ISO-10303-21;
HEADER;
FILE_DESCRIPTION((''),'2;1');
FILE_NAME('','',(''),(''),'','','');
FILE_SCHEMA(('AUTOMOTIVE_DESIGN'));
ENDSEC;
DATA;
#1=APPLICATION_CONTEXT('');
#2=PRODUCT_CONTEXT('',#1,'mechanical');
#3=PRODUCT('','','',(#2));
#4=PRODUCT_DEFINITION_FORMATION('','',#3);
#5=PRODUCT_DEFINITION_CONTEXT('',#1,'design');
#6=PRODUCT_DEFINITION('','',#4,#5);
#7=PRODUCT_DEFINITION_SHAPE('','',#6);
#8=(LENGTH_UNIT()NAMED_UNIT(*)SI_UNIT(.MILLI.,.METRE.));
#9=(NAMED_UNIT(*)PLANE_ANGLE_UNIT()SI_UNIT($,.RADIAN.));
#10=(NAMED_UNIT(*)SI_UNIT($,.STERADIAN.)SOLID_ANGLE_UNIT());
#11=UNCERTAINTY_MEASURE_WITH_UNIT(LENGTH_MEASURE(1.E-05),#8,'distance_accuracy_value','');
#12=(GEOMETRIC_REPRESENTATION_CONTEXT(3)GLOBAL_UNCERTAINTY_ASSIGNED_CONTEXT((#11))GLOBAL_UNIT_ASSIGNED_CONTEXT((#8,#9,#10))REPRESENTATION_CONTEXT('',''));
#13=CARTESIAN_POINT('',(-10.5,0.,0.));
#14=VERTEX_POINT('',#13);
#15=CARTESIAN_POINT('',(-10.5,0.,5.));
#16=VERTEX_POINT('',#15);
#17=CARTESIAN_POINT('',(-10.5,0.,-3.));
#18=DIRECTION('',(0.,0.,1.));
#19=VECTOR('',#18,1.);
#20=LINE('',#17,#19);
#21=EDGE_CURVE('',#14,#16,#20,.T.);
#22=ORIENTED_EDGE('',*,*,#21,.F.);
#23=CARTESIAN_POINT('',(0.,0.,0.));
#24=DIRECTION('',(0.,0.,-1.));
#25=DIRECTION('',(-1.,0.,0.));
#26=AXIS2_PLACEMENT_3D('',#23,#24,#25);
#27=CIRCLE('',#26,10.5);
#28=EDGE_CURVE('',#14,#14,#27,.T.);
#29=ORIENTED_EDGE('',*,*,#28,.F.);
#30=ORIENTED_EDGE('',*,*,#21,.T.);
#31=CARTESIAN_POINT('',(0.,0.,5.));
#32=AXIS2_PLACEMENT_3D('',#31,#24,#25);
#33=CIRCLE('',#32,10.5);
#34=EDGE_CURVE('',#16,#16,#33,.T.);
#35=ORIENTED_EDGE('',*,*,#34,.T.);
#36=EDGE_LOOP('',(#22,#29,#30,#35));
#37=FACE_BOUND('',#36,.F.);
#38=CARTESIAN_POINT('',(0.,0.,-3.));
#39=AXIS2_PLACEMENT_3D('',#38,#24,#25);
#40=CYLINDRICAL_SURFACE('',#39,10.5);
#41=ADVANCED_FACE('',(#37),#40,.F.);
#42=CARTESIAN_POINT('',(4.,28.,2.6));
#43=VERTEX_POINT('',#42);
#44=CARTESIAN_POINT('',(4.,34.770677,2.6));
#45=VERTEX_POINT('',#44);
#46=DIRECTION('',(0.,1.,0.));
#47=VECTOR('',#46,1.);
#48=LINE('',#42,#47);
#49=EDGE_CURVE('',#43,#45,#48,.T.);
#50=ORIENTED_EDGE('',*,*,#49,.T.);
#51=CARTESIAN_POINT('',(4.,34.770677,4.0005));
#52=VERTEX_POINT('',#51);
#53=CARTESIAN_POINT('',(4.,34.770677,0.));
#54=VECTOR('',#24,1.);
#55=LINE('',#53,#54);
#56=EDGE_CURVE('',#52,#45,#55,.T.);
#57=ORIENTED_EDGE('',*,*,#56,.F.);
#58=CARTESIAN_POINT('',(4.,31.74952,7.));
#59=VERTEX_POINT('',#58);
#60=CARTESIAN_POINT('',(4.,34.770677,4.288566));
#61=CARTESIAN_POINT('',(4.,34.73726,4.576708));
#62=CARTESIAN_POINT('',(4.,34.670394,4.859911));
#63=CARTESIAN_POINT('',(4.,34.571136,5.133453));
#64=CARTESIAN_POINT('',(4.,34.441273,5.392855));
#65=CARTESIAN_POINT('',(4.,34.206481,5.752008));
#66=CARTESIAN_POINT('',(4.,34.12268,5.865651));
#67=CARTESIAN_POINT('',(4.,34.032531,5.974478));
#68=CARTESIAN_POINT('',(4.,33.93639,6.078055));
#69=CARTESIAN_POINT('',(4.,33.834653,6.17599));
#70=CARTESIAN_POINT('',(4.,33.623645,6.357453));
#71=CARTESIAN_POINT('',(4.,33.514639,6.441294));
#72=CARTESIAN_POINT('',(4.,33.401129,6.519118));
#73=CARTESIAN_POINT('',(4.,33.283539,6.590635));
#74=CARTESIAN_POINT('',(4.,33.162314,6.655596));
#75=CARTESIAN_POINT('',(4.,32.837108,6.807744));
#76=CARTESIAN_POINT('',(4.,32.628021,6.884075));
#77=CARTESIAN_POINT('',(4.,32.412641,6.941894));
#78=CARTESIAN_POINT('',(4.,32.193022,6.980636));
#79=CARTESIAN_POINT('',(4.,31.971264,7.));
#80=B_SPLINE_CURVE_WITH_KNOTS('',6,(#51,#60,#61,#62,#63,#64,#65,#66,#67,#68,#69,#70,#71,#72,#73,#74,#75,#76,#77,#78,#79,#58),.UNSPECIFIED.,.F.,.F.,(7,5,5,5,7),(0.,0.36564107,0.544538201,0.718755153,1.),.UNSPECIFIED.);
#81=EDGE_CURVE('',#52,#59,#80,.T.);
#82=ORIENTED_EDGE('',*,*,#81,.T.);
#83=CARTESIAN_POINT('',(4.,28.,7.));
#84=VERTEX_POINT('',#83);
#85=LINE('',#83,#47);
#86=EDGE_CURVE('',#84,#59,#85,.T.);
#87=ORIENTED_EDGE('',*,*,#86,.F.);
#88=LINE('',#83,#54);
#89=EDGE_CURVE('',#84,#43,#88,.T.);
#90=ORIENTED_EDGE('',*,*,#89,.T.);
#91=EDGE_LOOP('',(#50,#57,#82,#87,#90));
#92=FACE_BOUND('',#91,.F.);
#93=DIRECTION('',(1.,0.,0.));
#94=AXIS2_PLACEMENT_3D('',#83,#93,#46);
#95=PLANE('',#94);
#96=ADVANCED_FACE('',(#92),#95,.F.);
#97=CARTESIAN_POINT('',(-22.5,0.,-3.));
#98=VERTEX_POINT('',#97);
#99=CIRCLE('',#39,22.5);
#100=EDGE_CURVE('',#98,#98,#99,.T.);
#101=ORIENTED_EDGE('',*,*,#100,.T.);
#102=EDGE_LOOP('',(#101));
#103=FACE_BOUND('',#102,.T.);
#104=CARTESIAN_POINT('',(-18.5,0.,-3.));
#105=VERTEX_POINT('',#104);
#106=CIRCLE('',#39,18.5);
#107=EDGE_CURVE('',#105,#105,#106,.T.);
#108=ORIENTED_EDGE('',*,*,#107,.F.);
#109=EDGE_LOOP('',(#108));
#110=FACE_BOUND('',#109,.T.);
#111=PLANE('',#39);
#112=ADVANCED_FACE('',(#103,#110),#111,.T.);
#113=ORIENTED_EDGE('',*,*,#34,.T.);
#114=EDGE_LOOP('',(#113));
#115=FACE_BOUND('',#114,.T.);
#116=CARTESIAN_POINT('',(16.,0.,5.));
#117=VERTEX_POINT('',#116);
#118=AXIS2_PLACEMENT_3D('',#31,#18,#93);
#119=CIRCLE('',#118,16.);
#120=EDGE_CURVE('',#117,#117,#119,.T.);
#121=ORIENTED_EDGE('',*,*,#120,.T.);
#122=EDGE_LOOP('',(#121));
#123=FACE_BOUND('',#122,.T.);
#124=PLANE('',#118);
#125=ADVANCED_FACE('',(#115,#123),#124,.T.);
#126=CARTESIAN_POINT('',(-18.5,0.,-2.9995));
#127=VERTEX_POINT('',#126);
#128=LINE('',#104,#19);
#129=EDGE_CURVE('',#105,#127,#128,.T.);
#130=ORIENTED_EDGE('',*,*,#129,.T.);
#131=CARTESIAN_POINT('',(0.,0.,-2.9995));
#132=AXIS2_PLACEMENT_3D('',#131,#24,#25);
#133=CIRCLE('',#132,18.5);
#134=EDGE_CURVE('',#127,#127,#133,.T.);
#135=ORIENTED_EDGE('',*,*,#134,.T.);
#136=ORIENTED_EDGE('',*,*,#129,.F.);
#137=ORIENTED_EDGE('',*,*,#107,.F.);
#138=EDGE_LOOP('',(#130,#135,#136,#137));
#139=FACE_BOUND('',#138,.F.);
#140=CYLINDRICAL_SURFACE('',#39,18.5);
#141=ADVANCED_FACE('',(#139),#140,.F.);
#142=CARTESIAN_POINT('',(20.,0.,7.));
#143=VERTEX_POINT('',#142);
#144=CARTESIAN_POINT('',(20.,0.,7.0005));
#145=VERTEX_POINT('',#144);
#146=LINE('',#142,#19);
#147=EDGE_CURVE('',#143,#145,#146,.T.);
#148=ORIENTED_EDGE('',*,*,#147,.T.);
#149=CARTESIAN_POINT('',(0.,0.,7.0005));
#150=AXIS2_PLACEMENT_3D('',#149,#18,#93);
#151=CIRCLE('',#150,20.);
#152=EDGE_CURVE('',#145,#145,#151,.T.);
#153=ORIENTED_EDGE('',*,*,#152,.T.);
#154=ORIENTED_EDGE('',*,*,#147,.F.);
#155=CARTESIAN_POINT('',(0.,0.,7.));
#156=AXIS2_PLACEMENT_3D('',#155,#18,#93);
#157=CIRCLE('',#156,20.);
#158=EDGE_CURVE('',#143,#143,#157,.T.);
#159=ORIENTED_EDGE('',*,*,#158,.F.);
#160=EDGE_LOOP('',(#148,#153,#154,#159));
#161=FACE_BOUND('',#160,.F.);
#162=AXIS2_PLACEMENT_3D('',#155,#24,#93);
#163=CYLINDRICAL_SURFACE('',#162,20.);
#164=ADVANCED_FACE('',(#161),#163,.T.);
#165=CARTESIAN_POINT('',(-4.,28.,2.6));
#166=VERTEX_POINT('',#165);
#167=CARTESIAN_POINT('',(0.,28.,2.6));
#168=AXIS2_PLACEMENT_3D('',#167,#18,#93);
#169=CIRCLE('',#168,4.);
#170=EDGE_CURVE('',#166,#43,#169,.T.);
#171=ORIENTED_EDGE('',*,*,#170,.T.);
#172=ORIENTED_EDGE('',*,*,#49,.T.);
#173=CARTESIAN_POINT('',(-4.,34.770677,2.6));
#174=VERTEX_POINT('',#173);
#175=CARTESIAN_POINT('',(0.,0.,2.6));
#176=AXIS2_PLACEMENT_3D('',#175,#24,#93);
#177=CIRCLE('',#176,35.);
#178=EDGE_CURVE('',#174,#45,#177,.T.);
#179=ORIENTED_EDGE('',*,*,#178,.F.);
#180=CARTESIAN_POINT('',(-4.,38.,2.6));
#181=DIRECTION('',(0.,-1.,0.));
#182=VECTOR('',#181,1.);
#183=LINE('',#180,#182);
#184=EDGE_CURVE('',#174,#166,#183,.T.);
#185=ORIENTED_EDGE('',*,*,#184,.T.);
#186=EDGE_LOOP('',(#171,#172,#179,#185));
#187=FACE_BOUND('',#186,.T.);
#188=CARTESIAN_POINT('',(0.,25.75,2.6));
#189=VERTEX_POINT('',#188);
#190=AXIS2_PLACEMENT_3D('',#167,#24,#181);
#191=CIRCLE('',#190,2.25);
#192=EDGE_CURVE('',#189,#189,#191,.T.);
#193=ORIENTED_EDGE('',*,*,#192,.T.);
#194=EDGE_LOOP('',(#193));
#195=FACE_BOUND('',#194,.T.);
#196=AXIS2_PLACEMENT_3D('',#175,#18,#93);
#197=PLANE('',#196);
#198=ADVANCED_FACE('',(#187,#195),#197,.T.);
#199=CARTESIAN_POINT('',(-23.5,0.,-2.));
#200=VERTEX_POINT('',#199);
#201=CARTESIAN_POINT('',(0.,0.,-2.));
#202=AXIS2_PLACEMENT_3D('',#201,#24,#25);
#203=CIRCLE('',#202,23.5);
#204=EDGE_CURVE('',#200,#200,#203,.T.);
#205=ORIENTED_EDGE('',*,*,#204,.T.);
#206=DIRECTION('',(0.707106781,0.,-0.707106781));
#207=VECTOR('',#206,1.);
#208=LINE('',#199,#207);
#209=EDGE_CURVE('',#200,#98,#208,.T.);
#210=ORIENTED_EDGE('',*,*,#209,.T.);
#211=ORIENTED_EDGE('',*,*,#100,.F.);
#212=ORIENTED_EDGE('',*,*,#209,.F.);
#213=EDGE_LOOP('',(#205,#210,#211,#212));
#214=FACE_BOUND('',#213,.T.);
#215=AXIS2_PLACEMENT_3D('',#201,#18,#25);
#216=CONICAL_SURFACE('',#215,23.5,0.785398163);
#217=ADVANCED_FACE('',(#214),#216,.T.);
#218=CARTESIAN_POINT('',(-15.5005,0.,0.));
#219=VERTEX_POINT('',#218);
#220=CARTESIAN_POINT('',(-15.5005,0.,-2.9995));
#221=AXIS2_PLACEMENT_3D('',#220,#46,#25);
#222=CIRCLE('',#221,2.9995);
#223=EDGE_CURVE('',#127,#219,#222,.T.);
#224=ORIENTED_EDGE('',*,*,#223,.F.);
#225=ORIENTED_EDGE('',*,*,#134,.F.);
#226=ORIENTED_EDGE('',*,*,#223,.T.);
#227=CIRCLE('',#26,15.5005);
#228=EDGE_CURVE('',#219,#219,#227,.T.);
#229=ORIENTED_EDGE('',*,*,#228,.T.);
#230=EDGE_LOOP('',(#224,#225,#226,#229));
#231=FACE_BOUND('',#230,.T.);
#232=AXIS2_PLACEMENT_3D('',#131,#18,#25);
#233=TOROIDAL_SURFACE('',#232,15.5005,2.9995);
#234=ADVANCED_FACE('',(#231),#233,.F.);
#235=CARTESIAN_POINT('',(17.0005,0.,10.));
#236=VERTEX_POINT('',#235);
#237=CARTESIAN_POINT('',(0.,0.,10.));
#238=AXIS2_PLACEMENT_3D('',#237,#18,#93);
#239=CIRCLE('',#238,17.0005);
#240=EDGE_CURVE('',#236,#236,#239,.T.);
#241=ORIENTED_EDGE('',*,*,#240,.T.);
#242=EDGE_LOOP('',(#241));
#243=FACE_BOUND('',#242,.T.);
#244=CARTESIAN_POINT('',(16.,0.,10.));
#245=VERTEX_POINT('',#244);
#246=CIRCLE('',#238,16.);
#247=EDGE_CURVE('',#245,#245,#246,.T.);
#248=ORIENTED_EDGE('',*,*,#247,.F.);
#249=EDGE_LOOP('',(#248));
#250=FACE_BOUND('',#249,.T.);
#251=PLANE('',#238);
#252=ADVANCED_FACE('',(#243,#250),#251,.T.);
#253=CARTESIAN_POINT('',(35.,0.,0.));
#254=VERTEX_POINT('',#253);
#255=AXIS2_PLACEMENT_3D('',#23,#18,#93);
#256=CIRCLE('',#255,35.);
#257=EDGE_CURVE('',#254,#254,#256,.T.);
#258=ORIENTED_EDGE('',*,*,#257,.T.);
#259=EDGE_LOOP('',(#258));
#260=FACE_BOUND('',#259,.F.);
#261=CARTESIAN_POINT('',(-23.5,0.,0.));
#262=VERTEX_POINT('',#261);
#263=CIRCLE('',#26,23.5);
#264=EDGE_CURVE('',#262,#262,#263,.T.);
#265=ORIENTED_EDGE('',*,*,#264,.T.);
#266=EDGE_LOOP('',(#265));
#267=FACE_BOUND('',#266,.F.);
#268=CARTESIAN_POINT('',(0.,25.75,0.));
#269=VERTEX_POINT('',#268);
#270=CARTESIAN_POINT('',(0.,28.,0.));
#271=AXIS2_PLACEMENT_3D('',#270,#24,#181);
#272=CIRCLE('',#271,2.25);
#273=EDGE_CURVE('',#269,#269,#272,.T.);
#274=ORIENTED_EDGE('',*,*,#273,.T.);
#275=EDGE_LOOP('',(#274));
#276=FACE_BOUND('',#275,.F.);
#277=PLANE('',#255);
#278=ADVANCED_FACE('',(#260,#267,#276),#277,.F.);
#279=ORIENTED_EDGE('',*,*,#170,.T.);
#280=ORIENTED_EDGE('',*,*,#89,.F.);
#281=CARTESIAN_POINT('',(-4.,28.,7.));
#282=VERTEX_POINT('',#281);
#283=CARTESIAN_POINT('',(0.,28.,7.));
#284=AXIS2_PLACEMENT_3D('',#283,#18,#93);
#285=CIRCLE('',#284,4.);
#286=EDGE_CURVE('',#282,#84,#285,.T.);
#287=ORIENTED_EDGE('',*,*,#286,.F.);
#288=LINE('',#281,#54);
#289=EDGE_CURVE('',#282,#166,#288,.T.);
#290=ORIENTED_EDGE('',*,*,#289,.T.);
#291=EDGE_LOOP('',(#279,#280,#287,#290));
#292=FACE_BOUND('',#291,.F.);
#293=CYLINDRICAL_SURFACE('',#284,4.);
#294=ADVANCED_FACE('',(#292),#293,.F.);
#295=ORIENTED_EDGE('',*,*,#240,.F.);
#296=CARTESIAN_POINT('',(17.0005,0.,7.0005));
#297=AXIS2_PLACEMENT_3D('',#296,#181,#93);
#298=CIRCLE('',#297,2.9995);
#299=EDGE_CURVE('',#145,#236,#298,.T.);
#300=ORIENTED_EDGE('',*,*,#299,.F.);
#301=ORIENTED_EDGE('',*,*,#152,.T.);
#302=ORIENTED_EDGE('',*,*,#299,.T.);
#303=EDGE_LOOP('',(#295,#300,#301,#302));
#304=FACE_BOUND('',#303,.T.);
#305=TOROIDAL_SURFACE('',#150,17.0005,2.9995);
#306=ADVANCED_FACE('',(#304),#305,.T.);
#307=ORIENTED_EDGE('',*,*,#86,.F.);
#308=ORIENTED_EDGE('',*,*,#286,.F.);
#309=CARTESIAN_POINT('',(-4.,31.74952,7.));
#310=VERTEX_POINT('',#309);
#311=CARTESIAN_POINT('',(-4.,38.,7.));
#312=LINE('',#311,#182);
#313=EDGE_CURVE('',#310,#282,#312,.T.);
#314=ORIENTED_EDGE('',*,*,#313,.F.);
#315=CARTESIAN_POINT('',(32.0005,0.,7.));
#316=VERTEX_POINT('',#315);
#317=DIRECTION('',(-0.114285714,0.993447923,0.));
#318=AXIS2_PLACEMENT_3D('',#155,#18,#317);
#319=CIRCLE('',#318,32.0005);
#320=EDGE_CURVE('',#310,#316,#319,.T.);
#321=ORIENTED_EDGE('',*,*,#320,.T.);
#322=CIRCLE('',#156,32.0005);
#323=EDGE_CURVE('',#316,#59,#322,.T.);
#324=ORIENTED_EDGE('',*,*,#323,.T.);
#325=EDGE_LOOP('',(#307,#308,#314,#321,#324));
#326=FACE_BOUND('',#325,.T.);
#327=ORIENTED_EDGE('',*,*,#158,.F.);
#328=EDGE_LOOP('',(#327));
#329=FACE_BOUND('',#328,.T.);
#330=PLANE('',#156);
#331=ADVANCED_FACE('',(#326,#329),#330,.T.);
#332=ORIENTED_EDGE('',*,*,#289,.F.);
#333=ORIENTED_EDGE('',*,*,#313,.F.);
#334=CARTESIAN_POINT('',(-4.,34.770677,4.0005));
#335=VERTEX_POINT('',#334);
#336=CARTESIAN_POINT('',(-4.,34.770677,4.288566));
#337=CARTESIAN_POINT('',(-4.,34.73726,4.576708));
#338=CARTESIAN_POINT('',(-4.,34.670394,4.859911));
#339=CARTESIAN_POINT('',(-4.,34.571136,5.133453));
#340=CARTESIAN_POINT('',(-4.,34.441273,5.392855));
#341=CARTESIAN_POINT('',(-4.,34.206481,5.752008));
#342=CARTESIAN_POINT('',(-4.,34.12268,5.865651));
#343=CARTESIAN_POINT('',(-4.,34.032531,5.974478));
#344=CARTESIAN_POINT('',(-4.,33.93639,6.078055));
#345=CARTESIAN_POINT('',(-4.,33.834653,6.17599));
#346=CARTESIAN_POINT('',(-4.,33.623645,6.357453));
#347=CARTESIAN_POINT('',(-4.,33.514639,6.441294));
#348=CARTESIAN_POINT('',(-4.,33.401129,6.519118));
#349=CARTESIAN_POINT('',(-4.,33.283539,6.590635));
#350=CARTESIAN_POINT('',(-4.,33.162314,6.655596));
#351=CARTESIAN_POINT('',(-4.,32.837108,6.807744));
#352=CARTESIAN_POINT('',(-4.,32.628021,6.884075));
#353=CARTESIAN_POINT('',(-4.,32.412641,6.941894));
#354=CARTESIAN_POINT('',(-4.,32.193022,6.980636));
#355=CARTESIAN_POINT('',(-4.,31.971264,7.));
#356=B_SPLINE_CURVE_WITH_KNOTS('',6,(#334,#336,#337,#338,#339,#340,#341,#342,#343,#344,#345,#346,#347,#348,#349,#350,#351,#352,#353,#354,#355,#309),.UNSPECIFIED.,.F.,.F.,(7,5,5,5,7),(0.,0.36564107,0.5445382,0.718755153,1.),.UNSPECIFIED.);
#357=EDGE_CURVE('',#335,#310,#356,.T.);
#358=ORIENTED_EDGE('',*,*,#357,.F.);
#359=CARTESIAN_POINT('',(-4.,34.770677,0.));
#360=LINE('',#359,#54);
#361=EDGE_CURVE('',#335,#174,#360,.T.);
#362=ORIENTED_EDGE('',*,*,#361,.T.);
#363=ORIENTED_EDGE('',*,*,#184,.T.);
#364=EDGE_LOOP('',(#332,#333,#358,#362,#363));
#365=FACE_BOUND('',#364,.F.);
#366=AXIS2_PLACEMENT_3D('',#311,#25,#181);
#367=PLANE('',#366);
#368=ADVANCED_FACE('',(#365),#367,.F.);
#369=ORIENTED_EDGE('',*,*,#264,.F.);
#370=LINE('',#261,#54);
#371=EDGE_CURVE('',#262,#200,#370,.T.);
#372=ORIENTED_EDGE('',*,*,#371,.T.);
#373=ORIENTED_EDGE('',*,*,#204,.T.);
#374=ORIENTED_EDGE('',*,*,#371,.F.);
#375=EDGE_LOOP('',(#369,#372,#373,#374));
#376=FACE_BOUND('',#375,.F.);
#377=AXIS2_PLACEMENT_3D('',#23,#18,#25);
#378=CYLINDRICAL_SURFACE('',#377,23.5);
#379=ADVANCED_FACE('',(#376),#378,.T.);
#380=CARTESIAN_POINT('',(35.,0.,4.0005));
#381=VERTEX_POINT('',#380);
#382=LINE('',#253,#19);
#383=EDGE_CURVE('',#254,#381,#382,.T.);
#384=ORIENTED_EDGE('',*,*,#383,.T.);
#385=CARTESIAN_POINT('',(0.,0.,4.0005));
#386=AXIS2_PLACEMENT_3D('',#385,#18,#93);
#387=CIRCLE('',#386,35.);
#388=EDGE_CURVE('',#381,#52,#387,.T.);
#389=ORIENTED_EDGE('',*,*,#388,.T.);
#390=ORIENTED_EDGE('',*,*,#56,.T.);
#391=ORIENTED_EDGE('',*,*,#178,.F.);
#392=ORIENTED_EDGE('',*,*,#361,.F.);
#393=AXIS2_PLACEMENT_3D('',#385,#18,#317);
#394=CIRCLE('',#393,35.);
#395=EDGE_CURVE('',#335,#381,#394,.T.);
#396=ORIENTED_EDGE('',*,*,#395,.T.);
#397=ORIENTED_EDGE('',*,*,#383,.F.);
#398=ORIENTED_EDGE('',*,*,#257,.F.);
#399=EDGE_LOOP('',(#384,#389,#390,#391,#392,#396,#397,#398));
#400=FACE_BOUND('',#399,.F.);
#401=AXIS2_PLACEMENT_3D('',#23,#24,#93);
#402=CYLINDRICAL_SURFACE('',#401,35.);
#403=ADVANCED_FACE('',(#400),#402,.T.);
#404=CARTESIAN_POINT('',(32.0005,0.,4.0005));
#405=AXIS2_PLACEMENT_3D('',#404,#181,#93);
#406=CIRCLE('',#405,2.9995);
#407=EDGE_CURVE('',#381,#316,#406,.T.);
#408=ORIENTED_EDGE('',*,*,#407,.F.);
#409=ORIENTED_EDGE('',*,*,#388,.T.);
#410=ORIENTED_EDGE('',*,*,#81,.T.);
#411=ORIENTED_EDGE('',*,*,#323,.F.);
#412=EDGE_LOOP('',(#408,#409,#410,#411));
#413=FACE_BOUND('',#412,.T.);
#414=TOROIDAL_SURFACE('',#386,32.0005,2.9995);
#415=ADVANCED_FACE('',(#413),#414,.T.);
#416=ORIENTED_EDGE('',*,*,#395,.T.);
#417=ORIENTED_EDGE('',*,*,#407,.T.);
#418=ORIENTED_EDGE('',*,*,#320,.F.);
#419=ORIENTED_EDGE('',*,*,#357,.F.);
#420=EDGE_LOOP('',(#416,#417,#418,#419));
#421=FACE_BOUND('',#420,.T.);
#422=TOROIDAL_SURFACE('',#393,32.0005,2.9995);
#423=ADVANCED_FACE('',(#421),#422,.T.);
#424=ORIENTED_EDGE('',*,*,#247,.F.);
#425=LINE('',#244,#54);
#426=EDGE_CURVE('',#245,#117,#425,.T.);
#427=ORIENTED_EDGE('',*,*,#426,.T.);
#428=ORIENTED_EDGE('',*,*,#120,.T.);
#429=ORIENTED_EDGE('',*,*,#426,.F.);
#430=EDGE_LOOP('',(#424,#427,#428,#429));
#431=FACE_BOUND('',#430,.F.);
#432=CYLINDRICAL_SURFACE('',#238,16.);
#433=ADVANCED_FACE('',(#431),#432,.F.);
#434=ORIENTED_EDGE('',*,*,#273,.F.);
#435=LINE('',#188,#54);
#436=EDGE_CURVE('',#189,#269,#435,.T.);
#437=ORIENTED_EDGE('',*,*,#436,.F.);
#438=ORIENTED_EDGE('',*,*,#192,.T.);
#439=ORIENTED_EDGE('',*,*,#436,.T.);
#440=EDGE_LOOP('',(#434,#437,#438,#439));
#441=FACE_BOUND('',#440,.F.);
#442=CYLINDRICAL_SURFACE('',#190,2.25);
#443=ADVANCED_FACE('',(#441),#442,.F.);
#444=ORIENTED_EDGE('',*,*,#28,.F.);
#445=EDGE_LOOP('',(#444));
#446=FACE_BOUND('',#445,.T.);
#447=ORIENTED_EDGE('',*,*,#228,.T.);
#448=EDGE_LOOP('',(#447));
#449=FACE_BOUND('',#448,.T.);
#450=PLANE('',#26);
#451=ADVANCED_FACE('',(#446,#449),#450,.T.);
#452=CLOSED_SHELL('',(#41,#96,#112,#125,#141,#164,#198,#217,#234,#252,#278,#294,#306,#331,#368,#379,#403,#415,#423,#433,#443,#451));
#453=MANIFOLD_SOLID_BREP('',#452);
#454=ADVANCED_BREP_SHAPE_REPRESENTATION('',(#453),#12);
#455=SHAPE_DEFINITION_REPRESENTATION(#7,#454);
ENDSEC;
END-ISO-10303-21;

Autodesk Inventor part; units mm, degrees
ref_plane "YZ Plane" through (0, 0, 0) normal (1, 0, 0) x (0, 1, 0)
ref_plane "XZ Plane" through (0, 0, 0) normal (0, 1, 0) x (-1, 0, 0)
ref_plane "XY Plane" through (0, 0, 0) normal (0, 0, 1) x (1, 0, 0)
sketch "스케치13" plane through (0, 0, 0) normal (0, 0, 1) x (1, 0, 0)
  circle A0 centre (0, 0) radius 35
  dimension "d74" = 70
extrude "돌출11" add sketch "스케치13" along normal blind 7
sketch "스케치19" plane through (0, 0, 7) normal (0, 0, 1) x (1, 0, 0)
  circle A0 centre (0, 0) radius 20
  dimension "d92" = 40
extrude "돌출17" add sketch "스케치19" along normal blind 3
sketch "스케치20" plane through (0, 0, 10) normal (0, 0, 1) x (1, 0, 0)
  circle A0 centre (0, 0) radius 16
  dimension "d95" = 32
extrude "돌출18" cut sketch "스케치20" against normal blind 5
sketch "스케치16" plane through (0, 0, 0) normal (0, 0, -1) x (-1, 0, 0)
  circle A0 centre (0, 0) radius 23.5
  dimension "d83" = 47
extrude "돌출15" add sketch "스케치16" along normal blind 3
sketch "스케치23" plane through (0, 0, -3) normal (0, 0, -1) x (-1, 0, 0)
  circle A0 centre (0, 0) radius 18.5
  dimension "d117" = 37
extrude "돌출20" cut sketch "스케치23" against normal blind 3
sketch "스케치18" plane through (0, 0, -3) normal (0, 0, -1) x (-1, 0, 0)
  circle A0 centre (0, 0) radius 10.5
  dimension "d89" = 21
extrude "돌출16" cut sketch "스케치18" against normal up to next
sketch "스케치21" plane through (0, 0, 7) normal (0, 0, 1) x (1, 0, 0)
  circle A0 centre (0, 28) radius 4
  line L0 (-4, 28) -> (4, 28)
  line L1 (4, 28) -> (4, 38)
  line L2 (4, 38) -> (-4, 38)
  line L3 (-4, 38) -> (-4, 28)
  point P0 (0, 0)
  dimension "d99" = 8
  dimension "d100" = 28
extrude "돌출19" cut sketch "스케치21" against normal blind 4.4
sketch "스케치22" plane through (0, 0, 2.6) normal (0, 0, 1) x (1, 0, 0)
  arc A0 (-4, 28) -> (4, 28) centre (0, 28) ccw projected
  circle A1 centre (0, 28) radius 4
  point P0 (0, 0)
hole "구멍2" at (0, 28, 2.6) direction (0, 0, -1) diameter 4.5 end through all
fillet "모깎기7" radius 3 4 edges at (-23.2916, -26.1247, 7) (26.1247, 23.2916, 7) (-20, 0, 10) (18.5, 0, 0)
chamfer "모따기6" distance 1 angle 45 1 edges at (23.5, 0, -3)
properties part number "도면3-2번"
